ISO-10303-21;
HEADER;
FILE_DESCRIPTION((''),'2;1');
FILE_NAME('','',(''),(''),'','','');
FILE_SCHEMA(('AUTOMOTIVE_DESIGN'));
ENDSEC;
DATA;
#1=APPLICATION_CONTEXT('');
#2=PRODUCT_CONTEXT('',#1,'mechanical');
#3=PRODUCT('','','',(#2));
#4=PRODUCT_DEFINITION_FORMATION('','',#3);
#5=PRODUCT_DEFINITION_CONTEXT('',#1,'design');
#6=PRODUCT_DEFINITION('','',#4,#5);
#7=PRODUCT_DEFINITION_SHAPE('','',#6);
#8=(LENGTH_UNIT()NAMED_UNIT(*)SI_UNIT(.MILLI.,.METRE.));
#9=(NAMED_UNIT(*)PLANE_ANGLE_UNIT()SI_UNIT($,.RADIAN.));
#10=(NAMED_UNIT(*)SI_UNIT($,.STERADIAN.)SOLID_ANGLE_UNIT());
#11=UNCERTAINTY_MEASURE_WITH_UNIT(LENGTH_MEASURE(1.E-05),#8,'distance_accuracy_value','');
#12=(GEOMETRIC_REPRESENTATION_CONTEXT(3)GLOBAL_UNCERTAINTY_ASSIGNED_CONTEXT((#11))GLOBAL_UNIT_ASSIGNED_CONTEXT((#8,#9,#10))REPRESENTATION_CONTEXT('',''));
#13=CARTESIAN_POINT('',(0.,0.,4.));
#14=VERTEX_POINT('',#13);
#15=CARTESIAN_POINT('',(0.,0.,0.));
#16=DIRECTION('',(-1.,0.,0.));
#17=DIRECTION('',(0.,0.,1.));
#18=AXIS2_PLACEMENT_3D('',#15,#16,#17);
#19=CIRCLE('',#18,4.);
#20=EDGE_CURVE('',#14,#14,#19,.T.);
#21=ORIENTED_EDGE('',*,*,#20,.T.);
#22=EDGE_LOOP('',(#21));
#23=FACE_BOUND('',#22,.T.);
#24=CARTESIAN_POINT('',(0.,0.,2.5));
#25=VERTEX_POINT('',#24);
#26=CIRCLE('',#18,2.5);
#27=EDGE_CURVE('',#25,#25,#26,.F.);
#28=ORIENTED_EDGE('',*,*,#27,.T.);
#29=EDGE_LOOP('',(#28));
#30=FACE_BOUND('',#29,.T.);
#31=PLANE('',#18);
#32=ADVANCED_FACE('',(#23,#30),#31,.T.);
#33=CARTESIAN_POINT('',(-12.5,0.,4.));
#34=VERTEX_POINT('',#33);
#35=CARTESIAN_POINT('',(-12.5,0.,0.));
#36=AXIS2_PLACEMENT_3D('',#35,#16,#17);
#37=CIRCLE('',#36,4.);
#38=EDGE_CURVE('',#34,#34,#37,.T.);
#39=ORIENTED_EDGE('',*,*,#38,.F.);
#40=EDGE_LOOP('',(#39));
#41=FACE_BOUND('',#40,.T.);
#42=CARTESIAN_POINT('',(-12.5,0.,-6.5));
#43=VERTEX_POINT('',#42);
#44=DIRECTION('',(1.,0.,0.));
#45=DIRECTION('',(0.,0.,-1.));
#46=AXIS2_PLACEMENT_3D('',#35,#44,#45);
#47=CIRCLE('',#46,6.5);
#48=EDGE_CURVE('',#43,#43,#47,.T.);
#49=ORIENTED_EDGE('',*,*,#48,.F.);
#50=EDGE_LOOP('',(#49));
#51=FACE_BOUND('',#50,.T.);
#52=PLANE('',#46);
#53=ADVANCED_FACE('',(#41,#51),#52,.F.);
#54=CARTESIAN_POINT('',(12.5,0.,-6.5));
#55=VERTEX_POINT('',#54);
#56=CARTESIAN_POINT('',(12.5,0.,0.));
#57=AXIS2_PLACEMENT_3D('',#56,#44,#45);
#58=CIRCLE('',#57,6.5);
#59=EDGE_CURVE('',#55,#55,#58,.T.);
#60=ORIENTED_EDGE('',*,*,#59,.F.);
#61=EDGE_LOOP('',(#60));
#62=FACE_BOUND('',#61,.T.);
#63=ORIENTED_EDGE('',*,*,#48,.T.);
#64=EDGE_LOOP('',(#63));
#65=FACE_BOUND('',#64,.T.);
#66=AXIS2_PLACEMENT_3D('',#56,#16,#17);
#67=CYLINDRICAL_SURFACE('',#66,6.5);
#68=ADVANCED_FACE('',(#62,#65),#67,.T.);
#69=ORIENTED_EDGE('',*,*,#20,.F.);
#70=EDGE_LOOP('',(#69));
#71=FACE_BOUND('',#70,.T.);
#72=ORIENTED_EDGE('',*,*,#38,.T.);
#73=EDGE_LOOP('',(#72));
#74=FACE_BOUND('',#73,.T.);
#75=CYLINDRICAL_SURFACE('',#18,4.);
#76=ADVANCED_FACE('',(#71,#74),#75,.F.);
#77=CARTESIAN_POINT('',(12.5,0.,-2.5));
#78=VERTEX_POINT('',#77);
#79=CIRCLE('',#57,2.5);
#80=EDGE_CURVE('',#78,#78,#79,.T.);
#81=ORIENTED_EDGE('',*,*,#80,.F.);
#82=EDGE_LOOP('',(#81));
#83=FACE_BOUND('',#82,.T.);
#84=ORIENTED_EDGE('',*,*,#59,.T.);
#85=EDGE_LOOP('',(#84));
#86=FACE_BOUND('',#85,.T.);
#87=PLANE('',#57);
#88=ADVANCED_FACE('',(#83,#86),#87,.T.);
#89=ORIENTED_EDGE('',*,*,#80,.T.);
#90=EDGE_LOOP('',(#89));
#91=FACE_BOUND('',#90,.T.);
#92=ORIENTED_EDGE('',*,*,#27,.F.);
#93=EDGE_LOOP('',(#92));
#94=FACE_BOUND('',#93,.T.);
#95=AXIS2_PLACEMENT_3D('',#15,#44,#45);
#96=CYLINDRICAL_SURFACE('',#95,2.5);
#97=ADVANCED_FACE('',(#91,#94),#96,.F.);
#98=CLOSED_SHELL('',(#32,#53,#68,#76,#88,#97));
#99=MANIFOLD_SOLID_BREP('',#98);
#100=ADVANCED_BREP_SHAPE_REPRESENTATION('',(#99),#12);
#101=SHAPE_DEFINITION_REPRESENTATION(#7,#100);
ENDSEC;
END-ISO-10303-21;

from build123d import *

# Parameters (mm, degrees)
SKETCH1_R           = 6.5
BOSS_EXTRUDE1_DEPTH = 12.5
SKETCH2_R           = 2.5
CUT_EXTRUDE1_DEPTH  = 12.5
SKETCH3_R           = 4
CUT_EXTRUDE2_DEPTH  = 12.5


with BuildPart() as part:
    # Sketch1 → Boss-Extrude1 (new, symmetric)
    with BuildSketch(Plane(origin=(0, 0, 0), x_dir=(0, 0, -1), z_dir=(1, 0, 0))):
        Circle(SKETCH1_R)
    extrude(amount=BOSS_EXTRUDE1_DEPTH, both=True)

    # Sketch2 → Cut-Extrude1 (cut)
    with BuildSketch(Plane(origin=(12.5, 0, 0), x_dir=(0, 0, -1), z_dir=(1, 0, 0))):
        Circle(SKETCH2_R)
    extrude(amount=-CUT_EXTRUDE1_DEPTH, mode=Mode.SUBTRACT)

    # Sketch3 → Cut-Extrude2 (cut)
    with BuildSketch(Plane.ZY.offset(12.5)):
        Circle(SKETCH3_R)
    extrude(amount=-CUT_EXTRUDE2_DEPTH, mode=Mode.SUBTRACT)


solid = part.part
